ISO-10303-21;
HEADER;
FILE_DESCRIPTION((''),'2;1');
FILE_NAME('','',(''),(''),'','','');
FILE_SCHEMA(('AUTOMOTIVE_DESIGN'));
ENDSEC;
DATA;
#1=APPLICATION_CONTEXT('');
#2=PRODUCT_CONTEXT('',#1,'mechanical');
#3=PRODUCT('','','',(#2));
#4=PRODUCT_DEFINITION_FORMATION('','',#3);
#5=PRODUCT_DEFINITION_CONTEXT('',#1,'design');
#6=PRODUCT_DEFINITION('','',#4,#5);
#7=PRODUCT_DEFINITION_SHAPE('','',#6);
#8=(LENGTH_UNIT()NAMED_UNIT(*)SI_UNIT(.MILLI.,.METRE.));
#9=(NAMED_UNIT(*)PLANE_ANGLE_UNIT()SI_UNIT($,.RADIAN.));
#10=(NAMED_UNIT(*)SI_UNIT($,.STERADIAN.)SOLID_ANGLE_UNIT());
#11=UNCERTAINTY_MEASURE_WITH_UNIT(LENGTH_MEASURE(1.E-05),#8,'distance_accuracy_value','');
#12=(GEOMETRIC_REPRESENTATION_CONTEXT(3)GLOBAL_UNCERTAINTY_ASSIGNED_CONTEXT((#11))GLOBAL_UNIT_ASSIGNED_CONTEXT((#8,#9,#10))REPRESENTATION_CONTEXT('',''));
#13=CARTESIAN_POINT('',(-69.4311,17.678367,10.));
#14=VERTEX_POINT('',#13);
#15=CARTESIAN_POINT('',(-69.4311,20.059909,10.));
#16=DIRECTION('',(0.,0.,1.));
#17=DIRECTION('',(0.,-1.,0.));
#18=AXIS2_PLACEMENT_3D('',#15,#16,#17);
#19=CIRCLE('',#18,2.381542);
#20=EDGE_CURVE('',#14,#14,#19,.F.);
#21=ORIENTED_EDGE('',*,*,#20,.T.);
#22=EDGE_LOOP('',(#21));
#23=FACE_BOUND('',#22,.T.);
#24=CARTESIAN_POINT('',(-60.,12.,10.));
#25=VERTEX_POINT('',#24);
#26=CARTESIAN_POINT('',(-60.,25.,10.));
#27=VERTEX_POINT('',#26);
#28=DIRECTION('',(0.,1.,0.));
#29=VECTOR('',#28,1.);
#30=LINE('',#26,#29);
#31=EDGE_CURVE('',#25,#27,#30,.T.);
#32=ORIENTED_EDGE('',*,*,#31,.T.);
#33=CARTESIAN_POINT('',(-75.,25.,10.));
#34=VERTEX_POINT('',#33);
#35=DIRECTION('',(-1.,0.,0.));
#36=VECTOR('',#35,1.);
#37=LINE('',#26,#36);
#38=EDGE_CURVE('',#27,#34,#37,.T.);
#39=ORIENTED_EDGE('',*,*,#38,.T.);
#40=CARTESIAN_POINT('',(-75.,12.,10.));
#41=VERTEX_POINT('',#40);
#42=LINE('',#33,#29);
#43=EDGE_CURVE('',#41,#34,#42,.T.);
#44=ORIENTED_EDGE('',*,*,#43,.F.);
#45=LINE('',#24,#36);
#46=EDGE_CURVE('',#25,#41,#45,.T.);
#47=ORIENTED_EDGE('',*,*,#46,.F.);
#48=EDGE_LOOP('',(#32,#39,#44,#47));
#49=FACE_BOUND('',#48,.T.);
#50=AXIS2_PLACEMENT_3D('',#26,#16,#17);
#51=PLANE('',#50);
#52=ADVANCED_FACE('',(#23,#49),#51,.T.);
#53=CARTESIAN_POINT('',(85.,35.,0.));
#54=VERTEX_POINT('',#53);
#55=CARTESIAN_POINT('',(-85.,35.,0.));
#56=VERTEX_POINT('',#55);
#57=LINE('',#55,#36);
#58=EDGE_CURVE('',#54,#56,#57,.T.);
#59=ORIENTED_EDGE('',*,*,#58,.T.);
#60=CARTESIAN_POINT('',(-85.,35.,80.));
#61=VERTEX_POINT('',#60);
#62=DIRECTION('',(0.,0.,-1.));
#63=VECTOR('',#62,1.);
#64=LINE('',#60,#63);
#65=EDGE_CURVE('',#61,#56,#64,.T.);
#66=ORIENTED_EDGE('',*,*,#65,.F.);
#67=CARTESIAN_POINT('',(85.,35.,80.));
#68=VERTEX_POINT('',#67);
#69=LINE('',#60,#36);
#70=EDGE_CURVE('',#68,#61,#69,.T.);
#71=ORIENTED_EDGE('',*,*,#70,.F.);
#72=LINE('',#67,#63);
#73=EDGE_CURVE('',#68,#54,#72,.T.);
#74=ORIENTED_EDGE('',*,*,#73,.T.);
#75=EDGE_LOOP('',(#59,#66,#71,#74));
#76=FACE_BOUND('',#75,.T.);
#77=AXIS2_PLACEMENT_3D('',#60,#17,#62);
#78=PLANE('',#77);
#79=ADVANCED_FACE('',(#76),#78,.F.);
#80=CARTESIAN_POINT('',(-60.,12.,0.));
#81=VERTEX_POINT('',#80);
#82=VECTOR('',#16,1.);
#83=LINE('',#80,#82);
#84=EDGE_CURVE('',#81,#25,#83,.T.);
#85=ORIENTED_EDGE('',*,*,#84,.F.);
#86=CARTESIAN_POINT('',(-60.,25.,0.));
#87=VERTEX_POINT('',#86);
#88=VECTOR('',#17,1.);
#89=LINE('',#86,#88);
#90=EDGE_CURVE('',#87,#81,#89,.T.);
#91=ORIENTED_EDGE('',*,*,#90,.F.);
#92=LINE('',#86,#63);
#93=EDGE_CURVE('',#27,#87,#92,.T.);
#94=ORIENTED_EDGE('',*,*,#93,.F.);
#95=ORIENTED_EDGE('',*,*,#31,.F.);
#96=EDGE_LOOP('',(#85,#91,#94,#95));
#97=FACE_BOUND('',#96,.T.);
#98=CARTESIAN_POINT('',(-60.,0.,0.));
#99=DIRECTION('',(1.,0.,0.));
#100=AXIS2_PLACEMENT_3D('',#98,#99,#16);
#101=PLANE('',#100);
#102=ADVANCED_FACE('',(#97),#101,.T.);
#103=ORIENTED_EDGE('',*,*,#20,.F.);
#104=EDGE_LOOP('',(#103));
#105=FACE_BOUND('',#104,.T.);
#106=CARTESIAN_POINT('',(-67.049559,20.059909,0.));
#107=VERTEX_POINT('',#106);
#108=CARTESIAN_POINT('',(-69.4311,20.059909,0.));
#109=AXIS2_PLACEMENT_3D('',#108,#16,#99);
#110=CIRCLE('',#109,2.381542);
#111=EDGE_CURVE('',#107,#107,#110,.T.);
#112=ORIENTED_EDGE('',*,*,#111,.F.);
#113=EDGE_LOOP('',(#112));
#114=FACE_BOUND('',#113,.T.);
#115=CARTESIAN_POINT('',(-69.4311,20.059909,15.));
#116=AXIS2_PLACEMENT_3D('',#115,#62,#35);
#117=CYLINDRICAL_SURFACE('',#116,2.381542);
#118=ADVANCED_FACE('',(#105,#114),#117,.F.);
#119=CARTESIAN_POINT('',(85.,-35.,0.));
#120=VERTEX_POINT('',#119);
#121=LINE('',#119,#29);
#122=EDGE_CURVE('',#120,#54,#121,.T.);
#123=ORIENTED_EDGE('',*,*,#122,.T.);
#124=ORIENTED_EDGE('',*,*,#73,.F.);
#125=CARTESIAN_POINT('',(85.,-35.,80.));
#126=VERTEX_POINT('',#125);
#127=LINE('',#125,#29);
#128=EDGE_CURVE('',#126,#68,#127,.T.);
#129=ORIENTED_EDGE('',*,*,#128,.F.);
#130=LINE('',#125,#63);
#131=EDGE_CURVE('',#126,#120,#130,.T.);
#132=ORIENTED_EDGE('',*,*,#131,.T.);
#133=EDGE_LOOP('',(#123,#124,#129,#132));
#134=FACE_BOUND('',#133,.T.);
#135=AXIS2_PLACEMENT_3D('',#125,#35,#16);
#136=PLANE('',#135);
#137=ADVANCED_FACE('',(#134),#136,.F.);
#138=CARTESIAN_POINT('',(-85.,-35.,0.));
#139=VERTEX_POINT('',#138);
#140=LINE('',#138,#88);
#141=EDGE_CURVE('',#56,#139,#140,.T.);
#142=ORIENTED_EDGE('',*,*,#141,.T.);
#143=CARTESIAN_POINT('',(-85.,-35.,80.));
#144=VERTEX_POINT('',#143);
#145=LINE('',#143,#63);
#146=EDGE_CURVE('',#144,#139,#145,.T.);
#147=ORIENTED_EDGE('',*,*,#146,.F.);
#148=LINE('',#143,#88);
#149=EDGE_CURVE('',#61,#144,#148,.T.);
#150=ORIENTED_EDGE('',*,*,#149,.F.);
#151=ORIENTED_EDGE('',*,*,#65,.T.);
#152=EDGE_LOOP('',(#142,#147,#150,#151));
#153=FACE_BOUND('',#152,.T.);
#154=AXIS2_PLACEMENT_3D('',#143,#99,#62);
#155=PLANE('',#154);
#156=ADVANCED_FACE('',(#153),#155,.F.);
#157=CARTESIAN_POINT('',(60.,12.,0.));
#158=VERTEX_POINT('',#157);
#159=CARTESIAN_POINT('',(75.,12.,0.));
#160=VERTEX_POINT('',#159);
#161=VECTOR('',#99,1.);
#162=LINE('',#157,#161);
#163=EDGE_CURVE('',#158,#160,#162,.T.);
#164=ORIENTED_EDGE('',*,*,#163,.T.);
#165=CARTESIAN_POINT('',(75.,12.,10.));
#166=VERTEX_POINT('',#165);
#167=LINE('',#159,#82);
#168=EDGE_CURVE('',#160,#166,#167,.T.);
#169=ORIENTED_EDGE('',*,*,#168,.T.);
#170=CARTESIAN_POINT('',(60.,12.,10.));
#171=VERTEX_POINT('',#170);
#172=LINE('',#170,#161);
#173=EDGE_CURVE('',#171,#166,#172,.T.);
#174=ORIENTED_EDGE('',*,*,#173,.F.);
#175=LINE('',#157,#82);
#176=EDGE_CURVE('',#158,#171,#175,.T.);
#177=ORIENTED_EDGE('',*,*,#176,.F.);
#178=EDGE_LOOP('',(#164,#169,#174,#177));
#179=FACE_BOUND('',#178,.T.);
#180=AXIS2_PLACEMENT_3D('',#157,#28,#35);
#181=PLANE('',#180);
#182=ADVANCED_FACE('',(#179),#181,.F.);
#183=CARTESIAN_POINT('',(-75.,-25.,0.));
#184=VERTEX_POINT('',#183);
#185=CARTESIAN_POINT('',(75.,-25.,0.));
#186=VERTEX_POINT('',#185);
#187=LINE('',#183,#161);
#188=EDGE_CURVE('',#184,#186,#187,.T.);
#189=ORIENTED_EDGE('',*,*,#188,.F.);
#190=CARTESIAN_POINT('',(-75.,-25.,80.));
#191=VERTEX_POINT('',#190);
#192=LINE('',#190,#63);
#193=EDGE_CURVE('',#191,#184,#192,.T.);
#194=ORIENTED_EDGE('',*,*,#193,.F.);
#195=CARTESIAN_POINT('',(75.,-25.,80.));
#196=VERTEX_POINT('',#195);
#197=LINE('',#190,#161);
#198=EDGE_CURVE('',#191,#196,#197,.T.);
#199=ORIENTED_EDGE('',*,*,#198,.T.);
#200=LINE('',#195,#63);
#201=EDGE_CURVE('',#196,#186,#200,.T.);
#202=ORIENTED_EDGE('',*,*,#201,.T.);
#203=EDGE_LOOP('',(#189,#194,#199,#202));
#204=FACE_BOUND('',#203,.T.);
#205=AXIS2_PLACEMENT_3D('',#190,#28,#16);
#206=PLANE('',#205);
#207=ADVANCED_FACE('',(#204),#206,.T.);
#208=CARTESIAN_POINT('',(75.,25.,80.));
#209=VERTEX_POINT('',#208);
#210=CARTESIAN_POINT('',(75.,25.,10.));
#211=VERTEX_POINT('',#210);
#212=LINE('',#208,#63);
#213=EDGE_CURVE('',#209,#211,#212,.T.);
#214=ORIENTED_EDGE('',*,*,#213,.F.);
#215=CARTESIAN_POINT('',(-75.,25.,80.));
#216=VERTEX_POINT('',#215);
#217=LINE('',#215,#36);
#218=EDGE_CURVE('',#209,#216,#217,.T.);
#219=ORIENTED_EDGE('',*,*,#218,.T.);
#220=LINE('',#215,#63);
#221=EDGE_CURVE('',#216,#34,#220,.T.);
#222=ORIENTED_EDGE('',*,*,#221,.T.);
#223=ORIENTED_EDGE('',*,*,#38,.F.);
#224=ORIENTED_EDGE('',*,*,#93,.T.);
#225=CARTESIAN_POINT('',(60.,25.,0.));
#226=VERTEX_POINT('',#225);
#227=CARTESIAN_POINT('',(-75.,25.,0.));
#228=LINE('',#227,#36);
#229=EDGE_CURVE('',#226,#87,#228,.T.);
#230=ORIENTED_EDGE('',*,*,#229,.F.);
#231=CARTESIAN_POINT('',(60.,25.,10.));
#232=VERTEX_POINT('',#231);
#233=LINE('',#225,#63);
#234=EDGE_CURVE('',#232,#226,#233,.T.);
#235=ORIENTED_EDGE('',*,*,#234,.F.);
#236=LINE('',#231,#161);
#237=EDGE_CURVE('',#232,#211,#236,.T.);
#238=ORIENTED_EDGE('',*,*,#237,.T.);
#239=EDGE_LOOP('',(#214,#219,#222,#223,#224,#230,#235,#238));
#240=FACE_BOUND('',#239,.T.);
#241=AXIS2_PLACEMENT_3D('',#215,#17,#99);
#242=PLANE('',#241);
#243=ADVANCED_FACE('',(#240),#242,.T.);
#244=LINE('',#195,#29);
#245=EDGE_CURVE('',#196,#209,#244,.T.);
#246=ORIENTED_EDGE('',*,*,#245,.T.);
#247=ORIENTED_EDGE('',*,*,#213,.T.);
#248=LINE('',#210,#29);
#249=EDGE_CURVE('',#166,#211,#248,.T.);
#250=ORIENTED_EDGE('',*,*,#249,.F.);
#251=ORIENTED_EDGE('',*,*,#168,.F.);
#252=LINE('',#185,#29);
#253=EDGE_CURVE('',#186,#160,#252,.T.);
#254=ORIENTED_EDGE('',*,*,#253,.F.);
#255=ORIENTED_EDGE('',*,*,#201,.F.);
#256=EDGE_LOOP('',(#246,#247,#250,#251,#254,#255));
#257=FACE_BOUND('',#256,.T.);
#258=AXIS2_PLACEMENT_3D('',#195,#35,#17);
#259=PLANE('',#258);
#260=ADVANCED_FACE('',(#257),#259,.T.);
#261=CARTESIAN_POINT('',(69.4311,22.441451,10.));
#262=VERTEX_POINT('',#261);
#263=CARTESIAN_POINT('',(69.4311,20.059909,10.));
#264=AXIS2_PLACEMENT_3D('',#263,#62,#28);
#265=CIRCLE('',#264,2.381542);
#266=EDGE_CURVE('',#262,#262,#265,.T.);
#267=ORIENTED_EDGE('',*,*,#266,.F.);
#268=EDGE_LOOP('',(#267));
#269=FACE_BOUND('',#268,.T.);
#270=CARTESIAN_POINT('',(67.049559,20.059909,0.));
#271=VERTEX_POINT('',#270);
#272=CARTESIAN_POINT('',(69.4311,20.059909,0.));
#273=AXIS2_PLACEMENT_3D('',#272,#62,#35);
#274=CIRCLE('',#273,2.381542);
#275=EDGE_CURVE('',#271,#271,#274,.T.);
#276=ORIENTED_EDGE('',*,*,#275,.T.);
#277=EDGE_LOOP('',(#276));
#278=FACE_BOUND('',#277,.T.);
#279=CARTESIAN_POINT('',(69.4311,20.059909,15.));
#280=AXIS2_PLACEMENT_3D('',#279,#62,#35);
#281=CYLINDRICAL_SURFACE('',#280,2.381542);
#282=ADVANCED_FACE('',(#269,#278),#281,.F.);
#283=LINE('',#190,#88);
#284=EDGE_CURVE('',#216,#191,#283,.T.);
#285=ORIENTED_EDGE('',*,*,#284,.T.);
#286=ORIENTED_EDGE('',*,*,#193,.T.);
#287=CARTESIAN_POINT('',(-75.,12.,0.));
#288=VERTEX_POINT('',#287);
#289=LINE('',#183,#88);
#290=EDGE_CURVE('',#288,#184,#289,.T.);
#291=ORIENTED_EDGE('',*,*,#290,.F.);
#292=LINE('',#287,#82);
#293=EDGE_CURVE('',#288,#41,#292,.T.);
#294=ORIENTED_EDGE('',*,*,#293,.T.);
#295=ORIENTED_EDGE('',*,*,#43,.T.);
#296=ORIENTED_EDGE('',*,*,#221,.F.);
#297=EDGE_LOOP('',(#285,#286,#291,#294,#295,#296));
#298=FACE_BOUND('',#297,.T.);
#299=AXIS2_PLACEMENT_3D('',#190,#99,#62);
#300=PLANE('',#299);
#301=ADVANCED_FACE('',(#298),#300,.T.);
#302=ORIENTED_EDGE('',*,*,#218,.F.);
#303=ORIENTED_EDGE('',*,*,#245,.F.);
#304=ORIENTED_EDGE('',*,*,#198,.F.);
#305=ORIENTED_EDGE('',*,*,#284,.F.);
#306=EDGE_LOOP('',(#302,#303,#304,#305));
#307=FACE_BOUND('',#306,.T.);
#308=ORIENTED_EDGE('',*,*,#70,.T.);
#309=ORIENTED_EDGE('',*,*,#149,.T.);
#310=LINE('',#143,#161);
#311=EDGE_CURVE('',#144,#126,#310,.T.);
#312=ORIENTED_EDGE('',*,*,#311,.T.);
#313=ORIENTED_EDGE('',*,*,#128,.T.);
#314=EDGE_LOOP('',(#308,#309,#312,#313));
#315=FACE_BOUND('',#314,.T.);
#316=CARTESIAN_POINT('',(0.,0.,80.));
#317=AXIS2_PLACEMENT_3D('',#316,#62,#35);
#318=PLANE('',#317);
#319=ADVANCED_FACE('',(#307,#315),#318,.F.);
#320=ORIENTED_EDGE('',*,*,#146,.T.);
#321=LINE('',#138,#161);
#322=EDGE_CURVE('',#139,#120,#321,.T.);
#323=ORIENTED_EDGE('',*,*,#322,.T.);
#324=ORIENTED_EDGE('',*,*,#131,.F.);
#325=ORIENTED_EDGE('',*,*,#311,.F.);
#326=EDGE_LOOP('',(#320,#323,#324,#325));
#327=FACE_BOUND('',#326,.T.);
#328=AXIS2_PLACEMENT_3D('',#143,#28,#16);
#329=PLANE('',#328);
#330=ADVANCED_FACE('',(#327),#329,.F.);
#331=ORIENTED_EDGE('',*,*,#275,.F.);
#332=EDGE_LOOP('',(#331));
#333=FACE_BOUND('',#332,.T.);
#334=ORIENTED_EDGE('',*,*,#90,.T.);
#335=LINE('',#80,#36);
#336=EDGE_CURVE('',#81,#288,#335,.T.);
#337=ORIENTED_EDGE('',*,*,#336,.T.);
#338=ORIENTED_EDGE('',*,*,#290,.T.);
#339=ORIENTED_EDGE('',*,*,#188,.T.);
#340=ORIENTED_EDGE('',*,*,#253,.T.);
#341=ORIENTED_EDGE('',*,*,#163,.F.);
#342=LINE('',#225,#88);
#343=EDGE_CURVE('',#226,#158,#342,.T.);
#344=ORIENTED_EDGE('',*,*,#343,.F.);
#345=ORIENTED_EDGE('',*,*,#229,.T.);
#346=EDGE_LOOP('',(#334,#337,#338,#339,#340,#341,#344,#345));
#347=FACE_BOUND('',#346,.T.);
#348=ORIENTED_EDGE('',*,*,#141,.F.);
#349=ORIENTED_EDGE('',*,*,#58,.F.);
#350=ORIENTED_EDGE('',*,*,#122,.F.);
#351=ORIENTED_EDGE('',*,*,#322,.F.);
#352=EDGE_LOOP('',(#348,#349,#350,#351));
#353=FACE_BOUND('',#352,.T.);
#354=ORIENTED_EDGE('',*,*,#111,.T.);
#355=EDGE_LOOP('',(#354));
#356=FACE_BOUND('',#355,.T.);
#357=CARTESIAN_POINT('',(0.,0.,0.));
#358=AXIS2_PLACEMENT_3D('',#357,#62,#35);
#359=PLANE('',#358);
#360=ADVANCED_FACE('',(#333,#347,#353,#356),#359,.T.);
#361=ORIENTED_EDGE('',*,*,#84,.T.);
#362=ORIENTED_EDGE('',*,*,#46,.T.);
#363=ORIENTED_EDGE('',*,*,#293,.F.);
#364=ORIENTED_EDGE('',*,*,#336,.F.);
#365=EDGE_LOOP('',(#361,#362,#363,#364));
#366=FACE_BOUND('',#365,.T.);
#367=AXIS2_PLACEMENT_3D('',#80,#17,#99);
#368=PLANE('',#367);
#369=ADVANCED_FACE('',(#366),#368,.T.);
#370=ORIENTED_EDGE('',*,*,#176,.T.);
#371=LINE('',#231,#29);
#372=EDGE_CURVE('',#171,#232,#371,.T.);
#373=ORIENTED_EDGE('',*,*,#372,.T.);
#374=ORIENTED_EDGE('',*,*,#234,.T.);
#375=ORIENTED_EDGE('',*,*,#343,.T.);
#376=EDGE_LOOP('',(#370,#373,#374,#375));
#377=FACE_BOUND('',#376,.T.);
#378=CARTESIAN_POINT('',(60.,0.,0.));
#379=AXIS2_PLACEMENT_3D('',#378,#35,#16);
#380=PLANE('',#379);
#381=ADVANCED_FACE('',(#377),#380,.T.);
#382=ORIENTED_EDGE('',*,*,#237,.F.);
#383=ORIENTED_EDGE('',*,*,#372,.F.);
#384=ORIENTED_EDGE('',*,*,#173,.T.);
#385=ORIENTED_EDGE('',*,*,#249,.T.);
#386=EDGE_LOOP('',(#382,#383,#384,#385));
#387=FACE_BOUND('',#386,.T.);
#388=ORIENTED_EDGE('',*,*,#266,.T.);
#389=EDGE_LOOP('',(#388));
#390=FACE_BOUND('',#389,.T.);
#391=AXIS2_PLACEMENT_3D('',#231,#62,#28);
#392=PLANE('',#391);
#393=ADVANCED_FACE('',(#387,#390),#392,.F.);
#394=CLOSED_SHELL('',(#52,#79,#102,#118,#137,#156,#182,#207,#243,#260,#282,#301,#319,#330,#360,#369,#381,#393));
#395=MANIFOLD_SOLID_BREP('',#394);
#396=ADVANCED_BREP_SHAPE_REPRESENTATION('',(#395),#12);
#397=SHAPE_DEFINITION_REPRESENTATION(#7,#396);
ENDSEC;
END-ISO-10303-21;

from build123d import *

# Parameters (mm, degrees)
SKETCH1_W           = 170
SKETCH1_H           = 70
SKETCH1_W_2         = 150
SKETCH1_H_2         = 50
BOSS_EXTRUDE1_DEPTH = 80
SKETCH2_W           = 10
SKETCH2_H           = 13
BOSS_EXTRUDE2_DEPTH = 15
SKETCH3_R           = 2.381541705
CUT_EXTRUDE1_DEPTH  = 15


with BuildPart() as part:
    # Sketch1 → Boss-Extrude1 (new body)
    with BuildSketch(Plane.XY):
        Rectangle(SKETCH1_W, SKETCH1_H)
        Rectangle(SKETCH1_W_2, SKETCH1_H_2, mode=Mode.SUBTRACT)
    extrude(amount=BOSS_EXTRUDE1_DEPTH)

    # Sketch2 → Boss-Extrude2 (add)
    with BuildSketch(Plane.ZY.offset(-75)):
        with Locations((5, 18.5)):
            Rectangle(SKETCH2_W, SKETCH2_H)
    boss_extrude2 = extrude(amount=BOSS_EXTRUDE2_DEPTH)

    # Sketch3 → Cut-Extrude1 (cut)
    with BuildSketch(Plane(origin=(0, 0, 0), x_dir=(-1, 0, 0), z_dir=(0, 0, -1))):
        with Locations((-69.43110047, 20.059908975)):
            Circle(SKETCH3_R)
    cut_extrude1 = extrude(amount=-CUT_EXTRUDE1_DEPTH, mode=Mode.SUBTRACT)

    # Mirror1: Boss-Extrude2, Cut-Extrude1 across plane
    add(boss_extrude2.mirror(Plane(origin=(0, 0, 0), x_dir=(0, 0, 1), z_dir=(1, 0, 0))))
    add(cut_extrude1.mirror(Plane(origin=(0, 0, 0), x_dir=(0, 0, 1), z_dir=(1, 0, 0))), mode=Mode.SUBTRACT)


solid = part.part
